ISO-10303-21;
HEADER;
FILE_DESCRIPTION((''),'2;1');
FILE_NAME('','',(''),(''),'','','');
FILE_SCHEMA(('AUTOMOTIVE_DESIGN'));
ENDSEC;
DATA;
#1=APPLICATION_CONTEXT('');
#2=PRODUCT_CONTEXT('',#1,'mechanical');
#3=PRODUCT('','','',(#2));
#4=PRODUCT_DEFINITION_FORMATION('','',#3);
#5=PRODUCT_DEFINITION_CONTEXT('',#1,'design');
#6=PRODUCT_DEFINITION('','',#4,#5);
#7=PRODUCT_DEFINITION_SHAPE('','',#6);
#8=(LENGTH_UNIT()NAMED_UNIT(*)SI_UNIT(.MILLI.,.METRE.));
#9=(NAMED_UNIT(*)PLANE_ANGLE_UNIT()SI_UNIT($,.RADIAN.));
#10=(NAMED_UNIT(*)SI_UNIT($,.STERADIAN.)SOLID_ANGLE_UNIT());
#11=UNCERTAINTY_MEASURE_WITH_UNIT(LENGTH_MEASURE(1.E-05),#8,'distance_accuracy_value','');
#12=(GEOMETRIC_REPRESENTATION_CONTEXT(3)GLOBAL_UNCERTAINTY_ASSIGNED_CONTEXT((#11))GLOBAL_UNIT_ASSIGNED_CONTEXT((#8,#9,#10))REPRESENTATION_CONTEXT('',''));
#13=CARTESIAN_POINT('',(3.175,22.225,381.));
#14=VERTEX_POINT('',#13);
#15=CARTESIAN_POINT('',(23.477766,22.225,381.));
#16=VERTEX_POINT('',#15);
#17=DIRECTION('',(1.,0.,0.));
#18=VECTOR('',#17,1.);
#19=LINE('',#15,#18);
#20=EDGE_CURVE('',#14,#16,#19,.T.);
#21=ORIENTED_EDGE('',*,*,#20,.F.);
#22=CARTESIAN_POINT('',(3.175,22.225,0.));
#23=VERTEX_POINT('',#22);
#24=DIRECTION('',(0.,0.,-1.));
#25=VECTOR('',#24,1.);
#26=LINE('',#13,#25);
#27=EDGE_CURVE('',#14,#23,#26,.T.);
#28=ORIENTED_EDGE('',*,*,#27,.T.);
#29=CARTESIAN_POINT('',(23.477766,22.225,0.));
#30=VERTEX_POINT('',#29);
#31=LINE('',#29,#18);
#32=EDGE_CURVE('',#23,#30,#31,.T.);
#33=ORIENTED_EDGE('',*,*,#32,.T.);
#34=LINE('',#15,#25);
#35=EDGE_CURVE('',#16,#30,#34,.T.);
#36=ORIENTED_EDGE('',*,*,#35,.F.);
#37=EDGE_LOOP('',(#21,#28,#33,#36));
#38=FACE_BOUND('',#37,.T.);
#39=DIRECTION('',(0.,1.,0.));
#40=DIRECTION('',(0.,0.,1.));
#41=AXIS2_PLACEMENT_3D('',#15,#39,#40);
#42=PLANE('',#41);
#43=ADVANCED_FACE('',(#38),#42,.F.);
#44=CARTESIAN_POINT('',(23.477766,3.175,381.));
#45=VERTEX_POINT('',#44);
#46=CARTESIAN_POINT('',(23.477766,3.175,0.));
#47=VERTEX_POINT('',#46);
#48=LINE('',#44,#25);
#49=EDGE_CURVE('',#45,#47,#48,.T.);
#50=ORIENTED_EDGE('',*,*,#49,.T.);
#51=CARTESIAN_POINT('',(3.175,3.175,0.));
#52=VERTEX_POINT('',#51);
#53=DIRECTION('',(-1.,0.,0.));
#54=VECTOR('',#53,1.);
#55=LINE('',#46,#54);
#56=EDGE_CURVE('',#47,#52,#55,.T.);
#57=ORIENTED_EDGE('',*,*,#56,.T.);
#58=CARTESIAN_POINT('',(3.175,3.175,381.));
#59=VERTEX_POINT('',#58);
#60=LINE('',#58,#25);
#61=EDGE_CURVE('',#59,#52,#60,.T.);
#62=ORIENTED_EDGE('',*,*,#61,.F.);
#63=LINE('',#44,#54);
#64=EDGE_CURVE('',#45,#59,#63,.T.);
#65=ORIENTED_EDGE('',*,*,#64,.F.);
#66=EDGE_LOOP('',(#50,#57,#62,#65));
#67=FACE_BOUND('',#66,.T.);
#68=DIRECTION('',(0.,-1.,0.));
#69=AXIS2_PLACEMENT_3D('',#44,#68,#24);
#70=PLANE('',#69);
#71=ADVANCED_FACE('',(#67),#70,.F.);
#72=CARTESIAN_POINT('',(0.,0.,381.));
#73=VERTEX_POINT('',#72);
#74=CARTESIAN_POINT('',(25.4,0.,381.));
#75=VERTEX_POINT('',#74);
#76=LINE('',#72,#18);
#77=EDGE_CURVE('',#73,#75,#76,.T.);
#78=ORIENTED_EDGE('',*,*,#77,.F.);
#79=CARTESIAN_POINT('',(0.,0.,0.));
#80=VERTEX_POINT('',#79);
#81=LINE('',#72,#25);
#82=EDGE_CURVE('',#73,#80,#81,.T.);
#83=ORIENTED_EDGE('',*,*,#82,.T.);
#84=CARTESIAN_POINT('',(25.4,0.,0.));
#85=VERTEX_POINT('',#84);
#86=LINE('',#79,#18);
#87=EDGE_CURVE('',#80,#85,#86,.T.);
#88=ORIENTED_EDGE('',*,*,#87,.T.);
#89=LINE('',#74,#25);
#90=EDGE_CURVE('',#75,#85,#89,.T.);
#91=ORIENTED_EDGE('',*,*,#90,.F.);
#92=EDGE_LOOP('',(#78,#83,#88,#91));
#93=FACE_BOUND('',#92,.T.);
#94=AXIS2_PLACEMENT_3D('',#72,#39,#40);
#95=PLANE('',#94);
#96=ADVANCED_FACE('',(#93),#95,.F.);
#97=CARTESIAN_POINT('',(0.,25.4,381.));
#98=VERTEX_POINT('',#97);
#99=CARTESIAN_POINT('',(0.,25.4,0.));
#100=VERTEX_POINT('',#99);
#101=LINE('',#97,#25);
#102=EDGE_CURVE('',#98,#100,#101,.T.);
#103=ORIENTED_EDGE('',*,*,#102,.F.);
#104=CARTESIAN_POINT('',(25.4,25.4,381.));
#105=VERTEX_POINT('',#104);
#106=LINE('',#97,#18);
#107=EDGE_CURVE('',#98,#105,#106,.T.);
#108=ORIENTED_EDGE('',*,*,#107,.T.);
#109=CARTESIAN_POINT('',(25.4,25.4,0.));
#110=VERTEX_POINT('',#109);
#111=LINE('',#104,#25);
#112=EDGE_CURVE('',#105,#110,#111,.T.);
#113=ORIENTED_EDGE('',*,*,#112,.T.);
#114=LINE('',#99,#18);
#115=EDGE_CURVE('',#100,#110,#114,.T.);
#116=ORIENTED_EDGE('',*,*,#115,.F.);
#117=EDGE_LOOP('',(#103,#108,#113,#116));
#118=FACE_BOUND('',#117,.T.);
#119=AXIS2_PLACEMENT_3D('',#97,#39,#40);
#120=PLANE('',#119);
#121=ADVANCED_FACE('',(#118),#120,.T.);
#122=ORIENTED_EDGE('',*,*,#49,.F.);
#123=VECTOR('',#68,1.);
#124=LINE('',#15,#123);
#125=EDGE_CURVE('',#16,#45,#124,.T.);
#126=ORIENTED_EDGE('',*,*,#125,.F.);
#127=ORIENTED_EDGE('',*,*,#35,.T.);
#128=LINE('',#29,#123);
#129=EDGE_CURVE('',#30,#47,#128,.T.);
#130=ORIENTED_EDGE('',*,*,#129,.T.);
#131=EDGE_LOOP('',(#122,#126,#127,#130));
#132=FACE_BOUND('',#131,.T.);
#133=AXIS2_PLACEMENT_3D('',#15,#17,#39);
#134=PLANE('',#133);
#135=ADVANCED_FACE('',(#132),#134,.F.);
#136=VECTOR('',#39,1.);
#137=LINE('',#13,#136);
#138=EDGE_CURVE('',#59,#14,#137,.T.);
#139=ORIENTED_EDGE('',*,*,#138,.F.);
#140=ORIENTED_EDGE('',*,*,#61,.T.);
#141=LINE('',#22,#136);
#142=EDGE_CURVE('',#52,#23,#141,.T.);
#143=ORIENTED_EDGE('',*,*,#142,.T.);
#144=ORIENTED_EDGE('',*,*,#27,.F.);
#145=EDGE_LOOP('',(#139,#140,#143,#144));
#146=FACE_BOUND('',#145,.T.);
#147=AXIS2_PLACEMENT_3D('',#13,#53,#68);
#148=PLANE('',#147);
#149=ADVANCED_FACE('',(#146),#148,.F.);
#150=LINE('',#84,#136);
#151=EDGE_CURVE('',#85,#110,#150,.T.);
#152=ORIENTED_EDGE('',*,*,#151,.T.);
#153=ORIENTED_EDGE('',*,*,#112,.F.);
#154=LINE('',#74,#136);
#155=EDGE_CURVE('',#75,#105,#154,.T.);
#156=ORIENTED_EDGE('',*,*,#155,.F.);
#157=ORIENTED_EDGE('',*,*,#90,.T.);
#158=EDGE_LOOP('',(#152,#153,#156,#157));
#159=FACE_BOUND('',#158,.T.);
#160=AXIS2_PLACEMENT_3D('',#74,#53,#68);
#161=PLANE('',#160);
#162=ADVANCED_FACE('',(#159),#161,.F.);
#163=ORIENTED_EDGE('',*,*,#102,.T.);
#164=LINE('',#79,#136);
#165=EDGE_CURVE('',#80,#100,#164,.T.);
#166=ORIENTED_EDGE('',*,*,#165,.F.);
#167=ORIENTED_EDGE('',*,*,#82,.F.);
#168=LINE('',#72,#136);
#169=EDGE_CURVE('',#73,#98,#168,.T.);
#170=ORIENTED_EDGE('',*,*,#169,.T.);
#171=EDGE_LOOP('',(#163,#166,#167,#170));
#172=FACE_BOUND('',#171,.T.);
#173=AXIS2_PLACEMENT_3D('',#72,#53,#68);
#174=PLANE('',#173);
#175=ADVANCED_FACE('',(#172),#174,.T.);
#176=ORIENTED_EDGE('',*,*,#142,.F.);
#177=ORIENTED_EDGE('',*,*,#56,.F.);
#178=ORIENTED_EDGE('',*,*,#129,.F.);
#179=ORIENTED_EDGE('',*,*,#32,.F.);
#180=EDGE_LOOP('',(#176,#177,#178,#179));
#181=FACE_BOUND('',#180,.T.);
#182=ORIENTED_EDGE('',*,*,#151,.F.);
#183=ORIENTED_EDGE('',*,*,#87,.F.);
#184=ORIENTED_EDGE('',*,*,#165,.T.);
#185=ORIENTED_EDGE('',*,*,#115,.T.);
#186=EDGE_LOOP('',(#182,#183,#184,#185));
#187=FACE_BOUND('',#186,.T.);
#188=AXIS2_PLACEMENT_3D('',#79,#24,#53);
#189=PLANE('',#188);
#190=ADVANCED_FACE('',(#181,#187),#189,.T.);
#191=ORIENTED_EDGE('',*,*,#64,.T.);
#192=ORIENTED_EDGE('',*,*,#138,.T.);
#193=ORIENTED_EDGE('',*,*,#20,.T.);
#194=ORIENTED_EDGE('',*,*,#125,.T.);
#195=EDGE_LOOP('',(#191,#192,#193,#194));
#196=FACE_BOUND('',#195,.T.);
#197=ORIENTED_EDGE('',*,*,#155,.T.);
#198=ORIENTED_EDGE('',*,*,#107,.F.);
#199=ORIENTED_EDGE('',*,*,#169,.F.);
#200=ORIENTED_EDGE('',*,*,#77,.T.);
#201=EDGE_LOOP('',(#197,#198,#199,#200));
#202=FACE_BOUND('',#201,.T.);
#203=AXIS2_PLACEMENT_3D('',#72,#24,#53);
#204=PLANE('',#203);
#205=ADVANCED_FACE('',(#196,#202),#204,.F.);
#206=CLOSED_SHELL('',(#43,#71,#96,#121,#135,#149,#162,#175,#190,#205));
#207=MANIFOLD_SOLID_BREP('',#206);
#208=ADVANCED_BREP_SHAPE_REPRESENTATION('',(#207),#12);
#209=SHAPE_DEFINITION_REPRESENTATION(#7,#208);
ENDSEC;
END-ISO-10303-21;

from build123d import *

# Parameters (mm, degrees)
SKETCH1_W           = 25.4
SKETCH1_H           = 25.4
BOSS_EXTRUDE2_DEPTH = 381
SKETCH2_W           = 20.302766191
SKETCH2_H           = 19.05
CUT_EXTRUDE1_DEPTH  = 383.689587002


with BuildPart() as part:
    # Sketch1 → Boss-Extrude2 (new body)
    with BuildSketch(Plane.XY):
        with Locations((12.7, 12.7)):
            Rectangle(SKETCH1_W, SKETCH1_H)
    extrude(amount=BOSS_EXTRUDE2_DEPTH)

    # Sketch2 → Cut-Extrude1 (cut, through all)
    with BuildSketch(Plane(origin=(0, 0, 0), x_dir=(-1, 0, 0), z_dir=(0, 0, -1))):
        with Locations((-13.326383096, 12.7)):
            Rectangle(SKETCH2_W, SKETCH2_H)
    extrude(amount=-CUT_EXTRUDE1_DEPTH, mode=Mode.SUBTRACT)


solid = part.part
